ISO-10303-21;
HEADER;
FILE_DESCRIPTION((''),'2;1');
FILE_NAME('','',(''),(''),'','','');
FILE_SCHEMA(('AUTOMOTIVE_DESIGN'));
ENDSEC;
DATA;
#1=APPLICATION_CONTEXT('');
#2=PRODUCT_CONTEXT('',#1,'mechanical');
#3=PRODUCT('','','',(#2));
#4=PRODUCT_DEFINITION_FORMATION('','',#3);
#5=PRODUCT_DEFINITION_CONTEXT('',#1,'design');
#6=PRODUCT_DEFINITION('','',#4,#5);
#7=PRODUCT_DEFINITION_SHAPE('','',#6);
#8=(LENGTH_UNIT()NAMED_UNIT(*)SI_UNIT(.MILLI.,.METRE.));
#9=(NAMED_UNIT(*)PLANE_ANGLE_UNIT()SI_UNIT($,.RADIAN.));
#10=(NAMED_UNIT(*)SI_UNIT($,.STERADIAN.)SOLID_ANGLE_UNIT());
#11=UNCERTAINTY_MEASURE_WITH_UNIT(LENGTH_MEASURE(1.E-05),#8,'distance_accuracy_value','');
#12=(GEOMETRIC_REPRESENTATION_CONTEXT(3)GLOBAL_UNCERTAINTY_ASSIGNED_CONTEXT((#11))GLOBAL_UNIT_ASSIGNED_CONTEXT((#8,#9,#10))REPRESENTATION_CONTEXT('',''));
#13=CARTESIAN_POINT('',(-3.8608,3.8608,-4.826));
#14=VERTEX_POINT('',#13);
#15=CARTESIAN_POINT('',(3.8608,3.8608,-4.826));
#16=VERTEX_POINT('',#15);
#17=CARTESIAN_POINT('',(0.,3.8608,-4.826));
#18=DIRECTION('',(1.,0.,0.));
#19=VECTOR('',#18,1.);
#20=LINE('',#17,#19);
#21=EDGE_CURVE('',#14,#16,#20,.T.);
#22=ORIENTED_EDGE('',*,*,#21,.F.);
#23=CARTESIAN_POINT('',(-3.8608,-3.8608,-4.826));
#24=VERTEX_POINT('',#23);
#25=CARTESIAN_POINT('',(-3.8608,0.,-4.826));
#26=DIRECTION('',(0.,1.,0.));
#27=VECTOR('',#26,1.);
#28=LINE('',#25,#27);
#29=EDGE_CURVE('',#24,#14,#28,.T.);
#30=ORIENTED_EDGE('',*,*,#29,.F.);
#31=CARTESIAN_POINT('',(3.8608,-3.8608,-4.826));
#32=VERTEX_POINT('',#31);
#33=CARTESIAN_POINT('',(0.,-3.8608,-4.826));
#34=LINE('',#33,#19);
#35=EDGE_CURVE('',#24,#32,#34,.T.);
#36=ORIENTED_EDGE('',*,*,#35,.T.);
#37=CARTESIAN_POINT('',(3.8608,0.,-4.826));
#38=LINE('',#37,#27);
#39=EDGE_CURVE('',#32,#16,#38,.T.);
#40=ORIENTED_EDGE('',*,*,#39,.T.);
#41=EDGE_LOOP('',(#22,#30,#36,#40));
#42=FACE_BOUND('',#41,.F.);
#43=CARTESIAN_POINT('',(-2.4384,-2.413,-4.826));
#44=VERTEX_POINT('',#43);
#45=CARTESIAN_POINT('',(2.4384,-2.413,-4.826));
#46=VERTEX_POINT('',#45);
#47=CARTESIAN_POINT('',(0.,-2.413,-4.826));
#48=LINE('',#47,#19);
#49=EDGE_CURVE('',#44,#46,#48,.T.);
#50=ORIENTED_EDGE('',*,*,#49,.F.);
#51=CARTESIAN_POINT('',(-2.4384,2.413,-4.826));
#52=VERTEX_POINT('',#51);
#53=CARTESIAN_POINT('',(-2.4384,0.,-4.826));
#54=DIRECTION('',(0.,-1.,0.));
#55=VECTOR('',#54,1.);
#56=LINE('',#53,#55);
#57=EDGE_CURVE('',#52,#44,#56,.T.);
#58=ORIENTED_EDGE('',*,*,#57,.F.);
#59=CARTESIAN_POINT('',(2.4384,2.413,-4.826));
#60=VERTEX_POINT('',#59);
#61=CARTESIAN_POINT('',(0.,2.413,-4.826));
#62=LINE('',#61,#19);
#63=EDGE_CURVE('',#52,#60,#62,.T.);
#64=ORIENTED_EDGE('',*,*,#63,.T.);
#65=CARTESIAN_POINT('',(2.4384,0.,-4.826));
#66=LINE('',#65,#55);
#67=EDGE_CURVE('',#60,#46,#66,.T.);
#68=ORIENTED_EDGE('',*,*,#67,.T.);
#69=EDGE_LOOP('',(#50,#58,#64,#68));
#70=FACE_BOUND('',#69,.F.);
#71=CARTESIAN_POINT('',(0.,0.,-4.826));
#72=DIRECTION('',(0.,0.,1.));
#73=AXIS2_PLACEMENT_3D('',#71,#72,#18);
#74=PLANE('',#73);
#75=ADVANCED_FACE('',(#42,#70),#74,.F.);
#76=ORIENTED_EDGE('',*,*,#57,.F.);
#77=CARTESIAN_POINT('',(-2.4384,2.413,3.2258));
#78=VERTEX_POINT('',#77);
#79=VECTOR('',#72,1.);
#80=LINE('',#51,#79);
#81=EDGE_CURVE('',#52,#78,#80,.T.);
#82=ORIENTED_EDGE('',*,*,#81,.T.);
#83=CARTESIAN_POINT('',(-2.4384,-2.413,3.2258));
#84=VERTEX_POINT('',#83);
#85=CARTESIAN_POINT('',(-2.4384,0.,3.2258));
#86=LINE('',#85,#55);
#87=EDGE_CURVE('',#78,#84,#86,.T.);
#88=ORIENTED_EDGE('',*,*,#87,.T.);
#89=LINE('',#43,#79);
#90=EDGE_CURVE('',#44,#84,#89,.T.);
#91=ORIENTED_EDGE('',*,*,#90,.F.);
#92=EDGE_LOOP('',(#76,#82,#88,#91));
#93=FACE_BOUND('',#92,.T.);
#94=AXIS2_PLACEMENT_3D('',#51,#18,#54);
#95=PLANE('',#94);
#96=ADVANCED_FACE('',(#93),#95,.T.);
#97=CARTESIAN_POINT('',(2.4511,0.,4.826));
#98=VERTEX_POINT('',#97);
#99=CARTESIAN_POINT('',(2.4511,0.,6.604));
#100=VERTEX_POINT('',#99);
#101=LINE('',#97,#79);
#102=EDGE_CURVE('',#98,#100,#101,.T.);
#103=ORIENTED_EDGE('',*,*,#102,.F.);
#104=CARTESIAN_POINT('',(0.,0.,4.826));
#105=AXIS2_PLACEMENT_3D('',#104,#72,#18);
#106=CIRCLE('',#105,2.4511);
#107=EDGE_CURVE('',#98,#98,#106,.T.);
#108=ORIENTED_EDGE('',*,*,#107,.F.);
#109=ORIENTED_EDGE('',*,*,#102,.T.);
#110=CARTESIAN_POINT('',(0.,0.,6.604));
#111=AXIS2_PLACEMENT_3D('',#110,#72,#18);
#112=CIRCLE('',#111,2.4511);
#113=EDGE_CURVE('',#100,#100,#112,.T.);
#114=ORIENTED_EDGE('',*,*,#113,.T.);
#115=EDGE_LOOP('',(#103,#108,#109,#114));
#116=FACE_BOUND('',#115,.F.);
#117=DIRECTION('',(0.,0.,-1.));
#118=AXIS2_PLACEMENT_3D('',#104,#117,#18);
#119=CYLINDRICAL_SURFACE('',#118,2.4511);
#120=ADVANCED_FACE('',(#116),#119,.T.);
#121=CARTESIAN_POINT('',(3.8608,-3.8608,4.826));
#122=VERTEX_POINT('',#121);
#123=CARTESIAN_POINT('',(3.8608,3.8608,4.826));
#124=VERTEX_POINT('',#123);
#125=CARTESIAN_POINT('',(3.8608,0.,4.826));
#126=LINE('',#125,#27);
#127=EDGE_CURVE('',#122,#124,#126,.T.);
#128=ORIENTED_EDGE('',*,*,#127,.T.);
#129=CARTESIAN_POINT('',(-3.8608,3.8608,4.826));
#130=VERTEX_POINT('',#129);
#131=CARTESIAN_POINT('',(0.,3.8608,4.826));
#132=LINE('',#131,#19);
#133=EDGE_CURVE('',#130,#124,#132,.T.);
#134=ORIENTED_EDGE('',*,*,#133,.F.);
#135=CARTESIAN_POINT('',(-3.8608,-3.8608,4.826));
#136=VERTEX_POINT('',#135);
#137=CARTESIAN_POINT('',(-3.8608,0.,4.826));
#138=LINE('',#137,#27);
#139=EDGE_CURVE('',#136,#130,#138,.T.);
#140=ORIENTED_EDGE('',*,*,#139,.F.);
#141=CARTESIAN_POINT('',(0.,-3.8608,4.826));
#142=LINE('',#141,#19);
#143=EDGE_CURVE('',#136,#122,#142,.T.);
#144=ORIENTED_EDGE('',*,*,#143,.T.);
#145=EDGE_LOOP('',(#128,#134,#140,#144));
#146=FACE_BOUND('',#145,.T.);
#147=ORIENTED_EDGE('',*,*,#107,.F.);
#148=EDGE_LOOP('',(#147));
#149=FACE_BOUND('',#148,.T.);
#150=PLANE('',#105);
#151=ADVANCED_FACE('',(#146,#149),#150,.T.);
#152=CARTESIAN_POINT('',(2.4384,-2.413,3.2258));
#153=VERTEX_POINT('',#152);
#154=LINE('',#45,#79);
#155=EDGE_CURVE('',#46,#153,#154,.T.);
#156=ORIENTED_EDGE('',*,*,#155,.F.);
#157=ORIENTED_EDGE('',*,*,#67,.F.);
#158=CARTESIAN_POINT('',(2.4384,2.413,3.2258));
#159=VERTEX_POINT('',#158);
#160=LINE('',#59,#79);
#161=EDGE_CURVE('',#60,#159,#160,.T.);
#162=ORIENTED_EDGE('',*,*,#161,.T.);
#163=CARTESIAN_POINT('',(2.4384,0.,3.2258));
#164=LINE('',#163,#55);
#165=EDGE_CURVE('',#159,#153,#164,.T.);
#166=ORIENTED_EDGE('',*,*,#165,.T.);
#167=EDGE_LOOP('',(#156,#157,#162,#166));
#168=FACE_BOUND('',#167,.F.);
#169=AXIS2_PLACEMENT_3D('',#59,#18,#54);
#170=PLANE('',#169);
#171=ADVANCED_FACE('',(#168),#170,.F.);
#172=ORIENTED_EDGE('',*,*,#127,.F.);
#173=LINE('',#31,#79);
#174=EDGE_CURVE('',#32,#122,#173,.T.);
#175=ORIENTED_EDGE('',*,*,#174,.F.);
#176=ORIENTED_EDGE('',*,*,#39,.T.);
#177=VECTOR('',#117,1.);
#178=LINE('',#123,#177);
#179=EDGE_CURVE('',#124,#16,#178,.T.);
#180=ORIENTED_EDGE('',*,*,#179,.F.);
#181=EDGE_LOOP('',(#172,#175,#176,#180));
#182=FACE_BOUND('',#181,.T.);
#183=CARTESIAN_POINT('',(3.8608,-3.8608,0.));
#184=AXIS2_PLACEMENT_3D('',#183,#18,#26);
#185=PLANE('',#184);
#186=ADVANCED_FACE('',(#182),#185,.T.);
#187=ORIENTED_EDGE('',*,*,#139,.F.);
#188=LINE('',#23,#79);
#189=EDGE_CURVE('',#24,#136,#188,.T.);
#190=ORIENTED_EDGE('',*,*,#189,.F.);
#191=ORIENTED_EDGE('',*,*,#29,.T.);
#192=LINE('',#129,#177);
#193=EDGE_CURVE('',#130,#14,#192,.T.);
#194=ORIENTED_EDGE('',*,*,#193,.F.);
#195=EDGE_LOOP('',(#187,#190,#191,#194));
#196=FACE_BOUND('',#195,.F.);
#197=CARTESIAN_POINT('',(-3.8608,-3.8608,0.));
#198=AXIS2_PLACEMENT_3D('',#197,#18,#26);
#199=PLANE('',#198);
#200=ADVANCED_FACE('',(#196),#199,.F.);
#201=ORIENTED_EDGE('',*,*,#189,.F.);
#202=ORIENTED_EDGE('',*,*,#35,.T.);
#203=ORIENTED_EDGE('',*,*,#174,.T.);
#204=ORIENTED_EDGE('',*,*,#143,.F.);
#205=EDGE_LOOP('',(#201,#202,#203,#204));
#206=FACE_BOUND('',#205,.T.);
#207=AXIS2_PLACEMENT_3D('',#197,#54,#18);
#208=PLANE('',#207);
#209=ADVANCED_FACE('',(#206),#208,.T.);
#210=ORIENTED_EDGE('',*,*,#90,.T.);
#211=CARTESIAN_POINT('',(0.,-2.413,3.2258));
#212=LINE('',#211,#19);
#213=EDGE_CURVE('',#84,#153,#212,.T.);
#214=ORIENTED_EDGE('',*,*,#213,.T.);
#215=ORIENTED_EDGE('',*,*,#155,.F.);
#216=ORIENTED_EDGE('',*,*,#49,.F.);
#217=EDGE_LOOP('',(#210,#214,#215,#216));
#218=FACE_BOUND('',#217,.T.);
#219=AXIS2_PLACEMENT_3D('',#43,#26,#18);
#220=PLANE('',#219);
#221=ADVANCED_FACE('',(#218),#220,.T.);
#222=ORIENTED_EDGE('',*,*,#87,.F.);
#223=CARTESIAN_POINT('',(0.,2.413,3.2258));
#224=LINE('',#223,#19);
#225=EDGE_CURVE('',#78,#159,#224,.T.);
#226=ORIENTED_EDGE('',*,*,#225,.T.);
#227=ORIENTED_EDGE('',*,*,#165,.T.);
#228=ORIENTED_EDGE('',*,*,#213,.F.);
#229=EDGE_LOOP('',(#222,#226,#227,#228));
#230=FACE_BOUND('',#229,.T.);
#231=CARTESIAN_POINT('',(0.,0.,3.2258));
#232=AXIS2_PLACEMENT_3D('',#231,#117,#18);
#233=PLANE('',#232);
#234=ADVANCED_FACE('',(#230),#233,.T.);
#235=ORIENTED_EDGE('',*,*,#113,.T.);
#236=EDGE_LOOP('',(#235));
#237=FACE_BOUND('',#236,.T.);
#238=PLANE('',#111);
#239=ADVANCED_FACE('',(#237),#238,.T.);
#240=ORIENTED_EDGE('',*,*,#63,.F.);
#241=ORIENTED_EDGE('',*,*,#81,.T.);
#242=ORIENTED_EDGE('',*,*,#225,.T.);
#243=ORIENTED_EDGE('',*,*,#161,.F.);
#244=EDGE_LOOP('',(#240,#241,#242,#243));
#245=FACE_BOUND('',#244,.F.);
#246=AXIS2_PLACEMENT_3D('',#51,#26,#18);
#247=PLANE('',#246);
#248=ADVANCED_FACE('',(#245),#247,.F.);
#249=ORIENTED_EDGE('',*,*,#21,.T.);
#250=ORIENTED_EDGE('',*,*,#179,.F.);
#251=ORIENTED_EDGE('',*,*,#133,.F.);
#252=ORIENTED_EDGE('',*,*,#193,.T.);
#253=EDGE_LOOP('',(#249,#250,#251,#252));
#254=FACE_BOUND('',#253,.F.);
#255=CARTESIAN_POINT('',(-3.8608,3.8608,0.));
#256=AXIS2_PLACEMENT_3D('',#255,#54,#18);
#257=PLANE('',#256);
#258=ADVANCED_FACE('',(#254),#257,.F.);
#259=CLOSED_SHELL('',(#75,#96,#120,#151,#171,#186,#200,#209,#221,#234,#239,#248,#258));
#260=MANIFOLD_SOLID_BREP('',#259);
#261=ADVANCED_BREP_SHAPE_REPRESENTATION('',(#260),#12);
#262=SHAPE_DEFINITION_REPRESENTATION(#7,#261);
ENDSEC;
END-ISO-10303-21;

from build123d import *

# Parameters (mm, degrees)
F0_W     = 7.7216
F0_H     = 7.7216
F1_DEPTH = 4.826
F2_R     = 2.4511
F3_DEPTH = 1.778
F4_W     = 4.8768
F4_H     = 4.826
F5_DEPTH = 8.0518


with BuildPart() as f1:
    # F0 (on Top) → F1 (new body, symmetric)
    with BuildSketch(Plane.XY):
        Rectangle(F0_W, F0_H)
    extrude(amount=F1_DEPTH, both=True)

    # F2 (on face) → F3 (join)
    with BuildSketch(Plane.XY.offset(4.826)):
        Circle(F2_R)
    extrude(amount=F3_DEPTH)

    # F4 (on face) → F5 (cut)
    with BuildSketch(Plane(origin=(0, 0, -4.826), x_dir=(1, 0, 0), z_dir=(0, 0, -1))):
        Rectangle(F4_W, F4_H)
    extrude(amount=-F5_DEPTH, mode=Mode.SUBTRACT)


solid = f1.part
